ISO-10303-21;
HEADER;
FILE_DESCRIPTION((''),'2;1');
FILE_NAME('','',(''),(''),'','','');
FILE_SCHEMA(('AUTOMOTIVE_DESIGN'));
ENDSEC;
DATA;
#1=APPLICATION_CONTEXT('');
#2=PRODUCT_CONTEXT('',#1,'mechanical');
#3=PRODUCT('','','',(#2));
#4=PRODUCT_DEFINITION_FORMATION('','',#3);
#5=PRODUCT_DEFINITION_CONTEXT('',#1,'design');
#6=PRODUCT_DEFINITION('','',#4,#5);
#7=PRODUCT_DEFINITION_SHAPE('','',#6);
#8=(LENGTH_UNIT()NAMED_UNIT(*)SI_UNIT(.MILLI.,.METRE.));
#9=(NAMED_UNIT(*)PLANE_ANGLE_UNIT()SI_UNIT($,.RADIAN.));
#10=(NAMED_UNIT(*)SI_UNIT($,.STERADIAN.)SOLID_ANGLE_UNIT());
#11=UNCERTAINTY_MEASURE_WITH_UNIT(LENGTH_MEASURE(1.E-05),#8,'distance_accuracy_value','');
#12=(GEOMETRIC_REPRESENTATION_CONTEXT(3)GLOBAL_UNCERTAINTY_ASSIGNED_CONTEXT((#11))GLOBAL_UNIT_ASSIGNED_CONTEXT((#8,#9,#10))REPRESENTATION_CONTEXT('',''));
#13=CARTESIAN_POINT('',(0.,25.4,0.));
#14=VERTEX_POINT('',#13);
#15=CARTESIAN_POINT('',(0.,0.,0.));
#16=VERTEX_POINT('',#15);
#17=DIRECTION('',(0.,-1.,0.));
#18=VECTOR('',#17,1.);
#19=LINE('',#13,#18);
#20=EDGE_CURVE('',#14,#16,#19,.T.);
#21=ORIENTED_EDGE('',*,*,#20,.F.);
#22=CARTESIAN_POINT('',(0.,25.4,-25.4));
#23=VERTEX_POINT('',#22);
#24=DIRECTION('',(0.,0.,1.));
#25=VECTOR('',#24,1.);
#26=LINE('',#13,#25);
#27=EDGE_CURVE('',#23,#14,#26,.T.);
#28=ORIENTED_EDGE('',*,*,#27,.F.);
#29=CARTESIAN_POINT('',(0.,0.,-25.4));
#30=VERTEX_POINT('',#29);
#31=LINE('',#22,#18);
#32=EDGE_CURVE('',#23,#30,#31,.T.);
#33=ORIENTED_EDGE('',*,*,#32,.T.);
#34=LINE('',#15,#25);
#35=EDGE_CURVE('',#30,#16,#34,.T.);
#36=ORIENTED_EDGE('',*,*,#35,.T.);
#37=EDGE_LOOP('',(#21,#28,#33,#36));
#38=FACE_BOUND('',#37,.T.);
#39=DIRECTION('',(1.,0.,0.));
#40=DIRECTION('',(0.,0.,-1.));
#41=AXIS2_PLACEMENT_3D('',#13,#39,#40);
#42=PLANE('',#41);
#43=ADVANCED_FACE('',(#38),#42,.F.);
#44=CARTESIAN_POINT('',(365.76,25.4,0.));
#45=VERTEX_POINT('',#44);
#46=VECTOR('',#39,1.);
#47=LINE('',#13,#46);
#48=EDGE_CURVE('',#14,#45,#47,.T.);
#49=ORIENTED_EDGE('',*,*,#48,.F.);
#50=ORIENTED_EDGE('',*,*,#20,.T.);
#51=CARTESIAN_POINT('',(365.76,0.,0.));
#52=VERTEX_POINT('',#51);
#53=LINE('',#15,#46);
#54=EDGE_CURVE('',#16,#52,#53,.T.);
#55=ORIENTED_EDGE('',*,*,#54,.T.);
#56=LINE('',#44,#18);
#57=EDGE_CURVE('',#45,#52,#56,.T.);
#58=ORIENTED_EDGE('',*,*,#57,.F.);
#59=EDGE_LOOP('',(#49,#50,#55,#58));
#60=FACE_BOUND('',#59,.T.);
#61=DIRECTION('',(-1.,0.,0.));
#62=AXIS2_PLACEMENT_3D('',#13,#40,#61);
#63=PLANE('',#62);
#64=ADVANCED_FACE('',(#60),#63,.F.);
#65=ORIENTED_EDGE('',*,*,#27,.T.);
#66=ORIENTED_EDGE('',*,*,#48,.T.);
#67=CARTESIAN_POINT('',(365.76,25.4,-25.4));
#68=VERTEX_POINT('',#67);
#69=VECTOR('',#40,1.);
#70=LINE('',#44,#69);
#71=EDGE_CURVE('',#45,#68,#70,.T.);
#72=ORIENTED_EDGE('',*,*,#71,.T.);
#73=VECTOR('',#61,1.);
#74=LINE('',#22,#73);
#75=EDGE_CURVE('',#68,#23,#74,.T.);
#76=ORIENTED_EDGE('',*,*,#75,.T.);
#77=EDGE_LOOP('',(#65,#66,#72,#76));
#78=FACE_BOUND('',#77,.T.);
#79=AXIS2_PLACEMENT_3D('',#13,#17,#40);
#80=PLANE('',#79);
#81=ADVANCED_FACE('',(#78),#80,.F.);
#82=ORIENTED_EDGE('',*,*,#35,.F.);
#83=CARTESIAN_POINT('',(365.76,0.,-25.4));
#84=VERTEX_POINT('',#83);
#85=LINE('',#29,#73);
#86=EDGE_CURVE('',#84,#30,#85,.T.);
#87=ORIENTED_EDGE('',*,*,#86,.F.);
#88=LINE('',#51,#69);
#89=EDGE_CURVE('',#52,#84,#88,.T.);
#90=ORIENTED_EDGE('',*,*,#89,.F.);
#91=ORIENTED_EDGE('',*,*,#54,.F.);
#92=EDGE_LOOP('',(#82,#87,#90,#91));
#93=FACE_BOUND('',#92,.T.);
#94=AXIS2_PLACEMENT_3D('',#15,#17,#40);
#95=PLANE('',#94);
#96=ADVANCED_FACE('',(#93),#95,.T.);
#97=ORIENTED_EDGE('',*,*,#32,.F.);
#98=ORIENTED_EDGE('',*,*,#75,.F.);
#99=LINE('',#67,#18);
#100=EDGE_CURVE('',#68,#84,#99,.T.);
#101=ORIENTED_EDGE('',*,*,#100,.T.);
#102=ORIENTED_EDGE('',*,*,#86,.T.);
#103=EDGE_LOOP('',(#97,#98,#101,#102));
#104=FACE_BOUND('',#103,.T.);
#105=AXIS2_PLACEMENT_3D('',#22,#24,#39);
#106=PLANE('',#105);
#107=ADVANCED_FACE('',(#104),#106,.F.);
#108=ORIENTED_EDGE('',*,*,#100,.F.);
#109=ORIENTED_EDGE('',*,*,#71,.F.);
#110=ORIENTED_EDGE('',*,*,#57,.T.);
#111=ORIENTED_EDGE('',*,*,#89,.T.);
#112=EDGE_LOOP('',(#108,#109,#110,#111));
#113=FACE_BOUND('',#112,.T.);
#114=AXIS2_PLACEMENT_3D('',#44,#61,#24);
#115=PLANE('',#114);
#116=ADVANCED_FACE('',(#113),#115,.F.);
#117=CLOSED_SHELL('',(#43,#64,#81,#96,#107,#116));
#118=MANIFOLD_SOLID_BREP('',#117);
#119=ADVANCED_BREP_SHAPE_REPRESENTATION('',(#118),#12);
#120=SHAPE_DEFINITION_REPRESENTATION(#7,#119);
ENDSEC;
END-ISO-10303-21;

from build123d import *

# Parameters (mm, degrees)
SKETCH1_W           = 365.76
SKETCH1_H           = 25.4
BOSS_EXTRUDE1_DEPTH = 25.4


with BuildPart() as part:
    # Sketch1 → Boss-Extrude1 (new body)
    with BuildSketch(Plane(origin=(0, 0, 0), x_dir=(1, 0, 0), z_dir=(0, 1, 0))):
        with Locations((182.88, 12.7)):
            Rectangle(SKETCH1_W, SKETCH1_H)
    extrude(amount=BOSS_EXTRUDE1_DEPTH)


solid = part.part
